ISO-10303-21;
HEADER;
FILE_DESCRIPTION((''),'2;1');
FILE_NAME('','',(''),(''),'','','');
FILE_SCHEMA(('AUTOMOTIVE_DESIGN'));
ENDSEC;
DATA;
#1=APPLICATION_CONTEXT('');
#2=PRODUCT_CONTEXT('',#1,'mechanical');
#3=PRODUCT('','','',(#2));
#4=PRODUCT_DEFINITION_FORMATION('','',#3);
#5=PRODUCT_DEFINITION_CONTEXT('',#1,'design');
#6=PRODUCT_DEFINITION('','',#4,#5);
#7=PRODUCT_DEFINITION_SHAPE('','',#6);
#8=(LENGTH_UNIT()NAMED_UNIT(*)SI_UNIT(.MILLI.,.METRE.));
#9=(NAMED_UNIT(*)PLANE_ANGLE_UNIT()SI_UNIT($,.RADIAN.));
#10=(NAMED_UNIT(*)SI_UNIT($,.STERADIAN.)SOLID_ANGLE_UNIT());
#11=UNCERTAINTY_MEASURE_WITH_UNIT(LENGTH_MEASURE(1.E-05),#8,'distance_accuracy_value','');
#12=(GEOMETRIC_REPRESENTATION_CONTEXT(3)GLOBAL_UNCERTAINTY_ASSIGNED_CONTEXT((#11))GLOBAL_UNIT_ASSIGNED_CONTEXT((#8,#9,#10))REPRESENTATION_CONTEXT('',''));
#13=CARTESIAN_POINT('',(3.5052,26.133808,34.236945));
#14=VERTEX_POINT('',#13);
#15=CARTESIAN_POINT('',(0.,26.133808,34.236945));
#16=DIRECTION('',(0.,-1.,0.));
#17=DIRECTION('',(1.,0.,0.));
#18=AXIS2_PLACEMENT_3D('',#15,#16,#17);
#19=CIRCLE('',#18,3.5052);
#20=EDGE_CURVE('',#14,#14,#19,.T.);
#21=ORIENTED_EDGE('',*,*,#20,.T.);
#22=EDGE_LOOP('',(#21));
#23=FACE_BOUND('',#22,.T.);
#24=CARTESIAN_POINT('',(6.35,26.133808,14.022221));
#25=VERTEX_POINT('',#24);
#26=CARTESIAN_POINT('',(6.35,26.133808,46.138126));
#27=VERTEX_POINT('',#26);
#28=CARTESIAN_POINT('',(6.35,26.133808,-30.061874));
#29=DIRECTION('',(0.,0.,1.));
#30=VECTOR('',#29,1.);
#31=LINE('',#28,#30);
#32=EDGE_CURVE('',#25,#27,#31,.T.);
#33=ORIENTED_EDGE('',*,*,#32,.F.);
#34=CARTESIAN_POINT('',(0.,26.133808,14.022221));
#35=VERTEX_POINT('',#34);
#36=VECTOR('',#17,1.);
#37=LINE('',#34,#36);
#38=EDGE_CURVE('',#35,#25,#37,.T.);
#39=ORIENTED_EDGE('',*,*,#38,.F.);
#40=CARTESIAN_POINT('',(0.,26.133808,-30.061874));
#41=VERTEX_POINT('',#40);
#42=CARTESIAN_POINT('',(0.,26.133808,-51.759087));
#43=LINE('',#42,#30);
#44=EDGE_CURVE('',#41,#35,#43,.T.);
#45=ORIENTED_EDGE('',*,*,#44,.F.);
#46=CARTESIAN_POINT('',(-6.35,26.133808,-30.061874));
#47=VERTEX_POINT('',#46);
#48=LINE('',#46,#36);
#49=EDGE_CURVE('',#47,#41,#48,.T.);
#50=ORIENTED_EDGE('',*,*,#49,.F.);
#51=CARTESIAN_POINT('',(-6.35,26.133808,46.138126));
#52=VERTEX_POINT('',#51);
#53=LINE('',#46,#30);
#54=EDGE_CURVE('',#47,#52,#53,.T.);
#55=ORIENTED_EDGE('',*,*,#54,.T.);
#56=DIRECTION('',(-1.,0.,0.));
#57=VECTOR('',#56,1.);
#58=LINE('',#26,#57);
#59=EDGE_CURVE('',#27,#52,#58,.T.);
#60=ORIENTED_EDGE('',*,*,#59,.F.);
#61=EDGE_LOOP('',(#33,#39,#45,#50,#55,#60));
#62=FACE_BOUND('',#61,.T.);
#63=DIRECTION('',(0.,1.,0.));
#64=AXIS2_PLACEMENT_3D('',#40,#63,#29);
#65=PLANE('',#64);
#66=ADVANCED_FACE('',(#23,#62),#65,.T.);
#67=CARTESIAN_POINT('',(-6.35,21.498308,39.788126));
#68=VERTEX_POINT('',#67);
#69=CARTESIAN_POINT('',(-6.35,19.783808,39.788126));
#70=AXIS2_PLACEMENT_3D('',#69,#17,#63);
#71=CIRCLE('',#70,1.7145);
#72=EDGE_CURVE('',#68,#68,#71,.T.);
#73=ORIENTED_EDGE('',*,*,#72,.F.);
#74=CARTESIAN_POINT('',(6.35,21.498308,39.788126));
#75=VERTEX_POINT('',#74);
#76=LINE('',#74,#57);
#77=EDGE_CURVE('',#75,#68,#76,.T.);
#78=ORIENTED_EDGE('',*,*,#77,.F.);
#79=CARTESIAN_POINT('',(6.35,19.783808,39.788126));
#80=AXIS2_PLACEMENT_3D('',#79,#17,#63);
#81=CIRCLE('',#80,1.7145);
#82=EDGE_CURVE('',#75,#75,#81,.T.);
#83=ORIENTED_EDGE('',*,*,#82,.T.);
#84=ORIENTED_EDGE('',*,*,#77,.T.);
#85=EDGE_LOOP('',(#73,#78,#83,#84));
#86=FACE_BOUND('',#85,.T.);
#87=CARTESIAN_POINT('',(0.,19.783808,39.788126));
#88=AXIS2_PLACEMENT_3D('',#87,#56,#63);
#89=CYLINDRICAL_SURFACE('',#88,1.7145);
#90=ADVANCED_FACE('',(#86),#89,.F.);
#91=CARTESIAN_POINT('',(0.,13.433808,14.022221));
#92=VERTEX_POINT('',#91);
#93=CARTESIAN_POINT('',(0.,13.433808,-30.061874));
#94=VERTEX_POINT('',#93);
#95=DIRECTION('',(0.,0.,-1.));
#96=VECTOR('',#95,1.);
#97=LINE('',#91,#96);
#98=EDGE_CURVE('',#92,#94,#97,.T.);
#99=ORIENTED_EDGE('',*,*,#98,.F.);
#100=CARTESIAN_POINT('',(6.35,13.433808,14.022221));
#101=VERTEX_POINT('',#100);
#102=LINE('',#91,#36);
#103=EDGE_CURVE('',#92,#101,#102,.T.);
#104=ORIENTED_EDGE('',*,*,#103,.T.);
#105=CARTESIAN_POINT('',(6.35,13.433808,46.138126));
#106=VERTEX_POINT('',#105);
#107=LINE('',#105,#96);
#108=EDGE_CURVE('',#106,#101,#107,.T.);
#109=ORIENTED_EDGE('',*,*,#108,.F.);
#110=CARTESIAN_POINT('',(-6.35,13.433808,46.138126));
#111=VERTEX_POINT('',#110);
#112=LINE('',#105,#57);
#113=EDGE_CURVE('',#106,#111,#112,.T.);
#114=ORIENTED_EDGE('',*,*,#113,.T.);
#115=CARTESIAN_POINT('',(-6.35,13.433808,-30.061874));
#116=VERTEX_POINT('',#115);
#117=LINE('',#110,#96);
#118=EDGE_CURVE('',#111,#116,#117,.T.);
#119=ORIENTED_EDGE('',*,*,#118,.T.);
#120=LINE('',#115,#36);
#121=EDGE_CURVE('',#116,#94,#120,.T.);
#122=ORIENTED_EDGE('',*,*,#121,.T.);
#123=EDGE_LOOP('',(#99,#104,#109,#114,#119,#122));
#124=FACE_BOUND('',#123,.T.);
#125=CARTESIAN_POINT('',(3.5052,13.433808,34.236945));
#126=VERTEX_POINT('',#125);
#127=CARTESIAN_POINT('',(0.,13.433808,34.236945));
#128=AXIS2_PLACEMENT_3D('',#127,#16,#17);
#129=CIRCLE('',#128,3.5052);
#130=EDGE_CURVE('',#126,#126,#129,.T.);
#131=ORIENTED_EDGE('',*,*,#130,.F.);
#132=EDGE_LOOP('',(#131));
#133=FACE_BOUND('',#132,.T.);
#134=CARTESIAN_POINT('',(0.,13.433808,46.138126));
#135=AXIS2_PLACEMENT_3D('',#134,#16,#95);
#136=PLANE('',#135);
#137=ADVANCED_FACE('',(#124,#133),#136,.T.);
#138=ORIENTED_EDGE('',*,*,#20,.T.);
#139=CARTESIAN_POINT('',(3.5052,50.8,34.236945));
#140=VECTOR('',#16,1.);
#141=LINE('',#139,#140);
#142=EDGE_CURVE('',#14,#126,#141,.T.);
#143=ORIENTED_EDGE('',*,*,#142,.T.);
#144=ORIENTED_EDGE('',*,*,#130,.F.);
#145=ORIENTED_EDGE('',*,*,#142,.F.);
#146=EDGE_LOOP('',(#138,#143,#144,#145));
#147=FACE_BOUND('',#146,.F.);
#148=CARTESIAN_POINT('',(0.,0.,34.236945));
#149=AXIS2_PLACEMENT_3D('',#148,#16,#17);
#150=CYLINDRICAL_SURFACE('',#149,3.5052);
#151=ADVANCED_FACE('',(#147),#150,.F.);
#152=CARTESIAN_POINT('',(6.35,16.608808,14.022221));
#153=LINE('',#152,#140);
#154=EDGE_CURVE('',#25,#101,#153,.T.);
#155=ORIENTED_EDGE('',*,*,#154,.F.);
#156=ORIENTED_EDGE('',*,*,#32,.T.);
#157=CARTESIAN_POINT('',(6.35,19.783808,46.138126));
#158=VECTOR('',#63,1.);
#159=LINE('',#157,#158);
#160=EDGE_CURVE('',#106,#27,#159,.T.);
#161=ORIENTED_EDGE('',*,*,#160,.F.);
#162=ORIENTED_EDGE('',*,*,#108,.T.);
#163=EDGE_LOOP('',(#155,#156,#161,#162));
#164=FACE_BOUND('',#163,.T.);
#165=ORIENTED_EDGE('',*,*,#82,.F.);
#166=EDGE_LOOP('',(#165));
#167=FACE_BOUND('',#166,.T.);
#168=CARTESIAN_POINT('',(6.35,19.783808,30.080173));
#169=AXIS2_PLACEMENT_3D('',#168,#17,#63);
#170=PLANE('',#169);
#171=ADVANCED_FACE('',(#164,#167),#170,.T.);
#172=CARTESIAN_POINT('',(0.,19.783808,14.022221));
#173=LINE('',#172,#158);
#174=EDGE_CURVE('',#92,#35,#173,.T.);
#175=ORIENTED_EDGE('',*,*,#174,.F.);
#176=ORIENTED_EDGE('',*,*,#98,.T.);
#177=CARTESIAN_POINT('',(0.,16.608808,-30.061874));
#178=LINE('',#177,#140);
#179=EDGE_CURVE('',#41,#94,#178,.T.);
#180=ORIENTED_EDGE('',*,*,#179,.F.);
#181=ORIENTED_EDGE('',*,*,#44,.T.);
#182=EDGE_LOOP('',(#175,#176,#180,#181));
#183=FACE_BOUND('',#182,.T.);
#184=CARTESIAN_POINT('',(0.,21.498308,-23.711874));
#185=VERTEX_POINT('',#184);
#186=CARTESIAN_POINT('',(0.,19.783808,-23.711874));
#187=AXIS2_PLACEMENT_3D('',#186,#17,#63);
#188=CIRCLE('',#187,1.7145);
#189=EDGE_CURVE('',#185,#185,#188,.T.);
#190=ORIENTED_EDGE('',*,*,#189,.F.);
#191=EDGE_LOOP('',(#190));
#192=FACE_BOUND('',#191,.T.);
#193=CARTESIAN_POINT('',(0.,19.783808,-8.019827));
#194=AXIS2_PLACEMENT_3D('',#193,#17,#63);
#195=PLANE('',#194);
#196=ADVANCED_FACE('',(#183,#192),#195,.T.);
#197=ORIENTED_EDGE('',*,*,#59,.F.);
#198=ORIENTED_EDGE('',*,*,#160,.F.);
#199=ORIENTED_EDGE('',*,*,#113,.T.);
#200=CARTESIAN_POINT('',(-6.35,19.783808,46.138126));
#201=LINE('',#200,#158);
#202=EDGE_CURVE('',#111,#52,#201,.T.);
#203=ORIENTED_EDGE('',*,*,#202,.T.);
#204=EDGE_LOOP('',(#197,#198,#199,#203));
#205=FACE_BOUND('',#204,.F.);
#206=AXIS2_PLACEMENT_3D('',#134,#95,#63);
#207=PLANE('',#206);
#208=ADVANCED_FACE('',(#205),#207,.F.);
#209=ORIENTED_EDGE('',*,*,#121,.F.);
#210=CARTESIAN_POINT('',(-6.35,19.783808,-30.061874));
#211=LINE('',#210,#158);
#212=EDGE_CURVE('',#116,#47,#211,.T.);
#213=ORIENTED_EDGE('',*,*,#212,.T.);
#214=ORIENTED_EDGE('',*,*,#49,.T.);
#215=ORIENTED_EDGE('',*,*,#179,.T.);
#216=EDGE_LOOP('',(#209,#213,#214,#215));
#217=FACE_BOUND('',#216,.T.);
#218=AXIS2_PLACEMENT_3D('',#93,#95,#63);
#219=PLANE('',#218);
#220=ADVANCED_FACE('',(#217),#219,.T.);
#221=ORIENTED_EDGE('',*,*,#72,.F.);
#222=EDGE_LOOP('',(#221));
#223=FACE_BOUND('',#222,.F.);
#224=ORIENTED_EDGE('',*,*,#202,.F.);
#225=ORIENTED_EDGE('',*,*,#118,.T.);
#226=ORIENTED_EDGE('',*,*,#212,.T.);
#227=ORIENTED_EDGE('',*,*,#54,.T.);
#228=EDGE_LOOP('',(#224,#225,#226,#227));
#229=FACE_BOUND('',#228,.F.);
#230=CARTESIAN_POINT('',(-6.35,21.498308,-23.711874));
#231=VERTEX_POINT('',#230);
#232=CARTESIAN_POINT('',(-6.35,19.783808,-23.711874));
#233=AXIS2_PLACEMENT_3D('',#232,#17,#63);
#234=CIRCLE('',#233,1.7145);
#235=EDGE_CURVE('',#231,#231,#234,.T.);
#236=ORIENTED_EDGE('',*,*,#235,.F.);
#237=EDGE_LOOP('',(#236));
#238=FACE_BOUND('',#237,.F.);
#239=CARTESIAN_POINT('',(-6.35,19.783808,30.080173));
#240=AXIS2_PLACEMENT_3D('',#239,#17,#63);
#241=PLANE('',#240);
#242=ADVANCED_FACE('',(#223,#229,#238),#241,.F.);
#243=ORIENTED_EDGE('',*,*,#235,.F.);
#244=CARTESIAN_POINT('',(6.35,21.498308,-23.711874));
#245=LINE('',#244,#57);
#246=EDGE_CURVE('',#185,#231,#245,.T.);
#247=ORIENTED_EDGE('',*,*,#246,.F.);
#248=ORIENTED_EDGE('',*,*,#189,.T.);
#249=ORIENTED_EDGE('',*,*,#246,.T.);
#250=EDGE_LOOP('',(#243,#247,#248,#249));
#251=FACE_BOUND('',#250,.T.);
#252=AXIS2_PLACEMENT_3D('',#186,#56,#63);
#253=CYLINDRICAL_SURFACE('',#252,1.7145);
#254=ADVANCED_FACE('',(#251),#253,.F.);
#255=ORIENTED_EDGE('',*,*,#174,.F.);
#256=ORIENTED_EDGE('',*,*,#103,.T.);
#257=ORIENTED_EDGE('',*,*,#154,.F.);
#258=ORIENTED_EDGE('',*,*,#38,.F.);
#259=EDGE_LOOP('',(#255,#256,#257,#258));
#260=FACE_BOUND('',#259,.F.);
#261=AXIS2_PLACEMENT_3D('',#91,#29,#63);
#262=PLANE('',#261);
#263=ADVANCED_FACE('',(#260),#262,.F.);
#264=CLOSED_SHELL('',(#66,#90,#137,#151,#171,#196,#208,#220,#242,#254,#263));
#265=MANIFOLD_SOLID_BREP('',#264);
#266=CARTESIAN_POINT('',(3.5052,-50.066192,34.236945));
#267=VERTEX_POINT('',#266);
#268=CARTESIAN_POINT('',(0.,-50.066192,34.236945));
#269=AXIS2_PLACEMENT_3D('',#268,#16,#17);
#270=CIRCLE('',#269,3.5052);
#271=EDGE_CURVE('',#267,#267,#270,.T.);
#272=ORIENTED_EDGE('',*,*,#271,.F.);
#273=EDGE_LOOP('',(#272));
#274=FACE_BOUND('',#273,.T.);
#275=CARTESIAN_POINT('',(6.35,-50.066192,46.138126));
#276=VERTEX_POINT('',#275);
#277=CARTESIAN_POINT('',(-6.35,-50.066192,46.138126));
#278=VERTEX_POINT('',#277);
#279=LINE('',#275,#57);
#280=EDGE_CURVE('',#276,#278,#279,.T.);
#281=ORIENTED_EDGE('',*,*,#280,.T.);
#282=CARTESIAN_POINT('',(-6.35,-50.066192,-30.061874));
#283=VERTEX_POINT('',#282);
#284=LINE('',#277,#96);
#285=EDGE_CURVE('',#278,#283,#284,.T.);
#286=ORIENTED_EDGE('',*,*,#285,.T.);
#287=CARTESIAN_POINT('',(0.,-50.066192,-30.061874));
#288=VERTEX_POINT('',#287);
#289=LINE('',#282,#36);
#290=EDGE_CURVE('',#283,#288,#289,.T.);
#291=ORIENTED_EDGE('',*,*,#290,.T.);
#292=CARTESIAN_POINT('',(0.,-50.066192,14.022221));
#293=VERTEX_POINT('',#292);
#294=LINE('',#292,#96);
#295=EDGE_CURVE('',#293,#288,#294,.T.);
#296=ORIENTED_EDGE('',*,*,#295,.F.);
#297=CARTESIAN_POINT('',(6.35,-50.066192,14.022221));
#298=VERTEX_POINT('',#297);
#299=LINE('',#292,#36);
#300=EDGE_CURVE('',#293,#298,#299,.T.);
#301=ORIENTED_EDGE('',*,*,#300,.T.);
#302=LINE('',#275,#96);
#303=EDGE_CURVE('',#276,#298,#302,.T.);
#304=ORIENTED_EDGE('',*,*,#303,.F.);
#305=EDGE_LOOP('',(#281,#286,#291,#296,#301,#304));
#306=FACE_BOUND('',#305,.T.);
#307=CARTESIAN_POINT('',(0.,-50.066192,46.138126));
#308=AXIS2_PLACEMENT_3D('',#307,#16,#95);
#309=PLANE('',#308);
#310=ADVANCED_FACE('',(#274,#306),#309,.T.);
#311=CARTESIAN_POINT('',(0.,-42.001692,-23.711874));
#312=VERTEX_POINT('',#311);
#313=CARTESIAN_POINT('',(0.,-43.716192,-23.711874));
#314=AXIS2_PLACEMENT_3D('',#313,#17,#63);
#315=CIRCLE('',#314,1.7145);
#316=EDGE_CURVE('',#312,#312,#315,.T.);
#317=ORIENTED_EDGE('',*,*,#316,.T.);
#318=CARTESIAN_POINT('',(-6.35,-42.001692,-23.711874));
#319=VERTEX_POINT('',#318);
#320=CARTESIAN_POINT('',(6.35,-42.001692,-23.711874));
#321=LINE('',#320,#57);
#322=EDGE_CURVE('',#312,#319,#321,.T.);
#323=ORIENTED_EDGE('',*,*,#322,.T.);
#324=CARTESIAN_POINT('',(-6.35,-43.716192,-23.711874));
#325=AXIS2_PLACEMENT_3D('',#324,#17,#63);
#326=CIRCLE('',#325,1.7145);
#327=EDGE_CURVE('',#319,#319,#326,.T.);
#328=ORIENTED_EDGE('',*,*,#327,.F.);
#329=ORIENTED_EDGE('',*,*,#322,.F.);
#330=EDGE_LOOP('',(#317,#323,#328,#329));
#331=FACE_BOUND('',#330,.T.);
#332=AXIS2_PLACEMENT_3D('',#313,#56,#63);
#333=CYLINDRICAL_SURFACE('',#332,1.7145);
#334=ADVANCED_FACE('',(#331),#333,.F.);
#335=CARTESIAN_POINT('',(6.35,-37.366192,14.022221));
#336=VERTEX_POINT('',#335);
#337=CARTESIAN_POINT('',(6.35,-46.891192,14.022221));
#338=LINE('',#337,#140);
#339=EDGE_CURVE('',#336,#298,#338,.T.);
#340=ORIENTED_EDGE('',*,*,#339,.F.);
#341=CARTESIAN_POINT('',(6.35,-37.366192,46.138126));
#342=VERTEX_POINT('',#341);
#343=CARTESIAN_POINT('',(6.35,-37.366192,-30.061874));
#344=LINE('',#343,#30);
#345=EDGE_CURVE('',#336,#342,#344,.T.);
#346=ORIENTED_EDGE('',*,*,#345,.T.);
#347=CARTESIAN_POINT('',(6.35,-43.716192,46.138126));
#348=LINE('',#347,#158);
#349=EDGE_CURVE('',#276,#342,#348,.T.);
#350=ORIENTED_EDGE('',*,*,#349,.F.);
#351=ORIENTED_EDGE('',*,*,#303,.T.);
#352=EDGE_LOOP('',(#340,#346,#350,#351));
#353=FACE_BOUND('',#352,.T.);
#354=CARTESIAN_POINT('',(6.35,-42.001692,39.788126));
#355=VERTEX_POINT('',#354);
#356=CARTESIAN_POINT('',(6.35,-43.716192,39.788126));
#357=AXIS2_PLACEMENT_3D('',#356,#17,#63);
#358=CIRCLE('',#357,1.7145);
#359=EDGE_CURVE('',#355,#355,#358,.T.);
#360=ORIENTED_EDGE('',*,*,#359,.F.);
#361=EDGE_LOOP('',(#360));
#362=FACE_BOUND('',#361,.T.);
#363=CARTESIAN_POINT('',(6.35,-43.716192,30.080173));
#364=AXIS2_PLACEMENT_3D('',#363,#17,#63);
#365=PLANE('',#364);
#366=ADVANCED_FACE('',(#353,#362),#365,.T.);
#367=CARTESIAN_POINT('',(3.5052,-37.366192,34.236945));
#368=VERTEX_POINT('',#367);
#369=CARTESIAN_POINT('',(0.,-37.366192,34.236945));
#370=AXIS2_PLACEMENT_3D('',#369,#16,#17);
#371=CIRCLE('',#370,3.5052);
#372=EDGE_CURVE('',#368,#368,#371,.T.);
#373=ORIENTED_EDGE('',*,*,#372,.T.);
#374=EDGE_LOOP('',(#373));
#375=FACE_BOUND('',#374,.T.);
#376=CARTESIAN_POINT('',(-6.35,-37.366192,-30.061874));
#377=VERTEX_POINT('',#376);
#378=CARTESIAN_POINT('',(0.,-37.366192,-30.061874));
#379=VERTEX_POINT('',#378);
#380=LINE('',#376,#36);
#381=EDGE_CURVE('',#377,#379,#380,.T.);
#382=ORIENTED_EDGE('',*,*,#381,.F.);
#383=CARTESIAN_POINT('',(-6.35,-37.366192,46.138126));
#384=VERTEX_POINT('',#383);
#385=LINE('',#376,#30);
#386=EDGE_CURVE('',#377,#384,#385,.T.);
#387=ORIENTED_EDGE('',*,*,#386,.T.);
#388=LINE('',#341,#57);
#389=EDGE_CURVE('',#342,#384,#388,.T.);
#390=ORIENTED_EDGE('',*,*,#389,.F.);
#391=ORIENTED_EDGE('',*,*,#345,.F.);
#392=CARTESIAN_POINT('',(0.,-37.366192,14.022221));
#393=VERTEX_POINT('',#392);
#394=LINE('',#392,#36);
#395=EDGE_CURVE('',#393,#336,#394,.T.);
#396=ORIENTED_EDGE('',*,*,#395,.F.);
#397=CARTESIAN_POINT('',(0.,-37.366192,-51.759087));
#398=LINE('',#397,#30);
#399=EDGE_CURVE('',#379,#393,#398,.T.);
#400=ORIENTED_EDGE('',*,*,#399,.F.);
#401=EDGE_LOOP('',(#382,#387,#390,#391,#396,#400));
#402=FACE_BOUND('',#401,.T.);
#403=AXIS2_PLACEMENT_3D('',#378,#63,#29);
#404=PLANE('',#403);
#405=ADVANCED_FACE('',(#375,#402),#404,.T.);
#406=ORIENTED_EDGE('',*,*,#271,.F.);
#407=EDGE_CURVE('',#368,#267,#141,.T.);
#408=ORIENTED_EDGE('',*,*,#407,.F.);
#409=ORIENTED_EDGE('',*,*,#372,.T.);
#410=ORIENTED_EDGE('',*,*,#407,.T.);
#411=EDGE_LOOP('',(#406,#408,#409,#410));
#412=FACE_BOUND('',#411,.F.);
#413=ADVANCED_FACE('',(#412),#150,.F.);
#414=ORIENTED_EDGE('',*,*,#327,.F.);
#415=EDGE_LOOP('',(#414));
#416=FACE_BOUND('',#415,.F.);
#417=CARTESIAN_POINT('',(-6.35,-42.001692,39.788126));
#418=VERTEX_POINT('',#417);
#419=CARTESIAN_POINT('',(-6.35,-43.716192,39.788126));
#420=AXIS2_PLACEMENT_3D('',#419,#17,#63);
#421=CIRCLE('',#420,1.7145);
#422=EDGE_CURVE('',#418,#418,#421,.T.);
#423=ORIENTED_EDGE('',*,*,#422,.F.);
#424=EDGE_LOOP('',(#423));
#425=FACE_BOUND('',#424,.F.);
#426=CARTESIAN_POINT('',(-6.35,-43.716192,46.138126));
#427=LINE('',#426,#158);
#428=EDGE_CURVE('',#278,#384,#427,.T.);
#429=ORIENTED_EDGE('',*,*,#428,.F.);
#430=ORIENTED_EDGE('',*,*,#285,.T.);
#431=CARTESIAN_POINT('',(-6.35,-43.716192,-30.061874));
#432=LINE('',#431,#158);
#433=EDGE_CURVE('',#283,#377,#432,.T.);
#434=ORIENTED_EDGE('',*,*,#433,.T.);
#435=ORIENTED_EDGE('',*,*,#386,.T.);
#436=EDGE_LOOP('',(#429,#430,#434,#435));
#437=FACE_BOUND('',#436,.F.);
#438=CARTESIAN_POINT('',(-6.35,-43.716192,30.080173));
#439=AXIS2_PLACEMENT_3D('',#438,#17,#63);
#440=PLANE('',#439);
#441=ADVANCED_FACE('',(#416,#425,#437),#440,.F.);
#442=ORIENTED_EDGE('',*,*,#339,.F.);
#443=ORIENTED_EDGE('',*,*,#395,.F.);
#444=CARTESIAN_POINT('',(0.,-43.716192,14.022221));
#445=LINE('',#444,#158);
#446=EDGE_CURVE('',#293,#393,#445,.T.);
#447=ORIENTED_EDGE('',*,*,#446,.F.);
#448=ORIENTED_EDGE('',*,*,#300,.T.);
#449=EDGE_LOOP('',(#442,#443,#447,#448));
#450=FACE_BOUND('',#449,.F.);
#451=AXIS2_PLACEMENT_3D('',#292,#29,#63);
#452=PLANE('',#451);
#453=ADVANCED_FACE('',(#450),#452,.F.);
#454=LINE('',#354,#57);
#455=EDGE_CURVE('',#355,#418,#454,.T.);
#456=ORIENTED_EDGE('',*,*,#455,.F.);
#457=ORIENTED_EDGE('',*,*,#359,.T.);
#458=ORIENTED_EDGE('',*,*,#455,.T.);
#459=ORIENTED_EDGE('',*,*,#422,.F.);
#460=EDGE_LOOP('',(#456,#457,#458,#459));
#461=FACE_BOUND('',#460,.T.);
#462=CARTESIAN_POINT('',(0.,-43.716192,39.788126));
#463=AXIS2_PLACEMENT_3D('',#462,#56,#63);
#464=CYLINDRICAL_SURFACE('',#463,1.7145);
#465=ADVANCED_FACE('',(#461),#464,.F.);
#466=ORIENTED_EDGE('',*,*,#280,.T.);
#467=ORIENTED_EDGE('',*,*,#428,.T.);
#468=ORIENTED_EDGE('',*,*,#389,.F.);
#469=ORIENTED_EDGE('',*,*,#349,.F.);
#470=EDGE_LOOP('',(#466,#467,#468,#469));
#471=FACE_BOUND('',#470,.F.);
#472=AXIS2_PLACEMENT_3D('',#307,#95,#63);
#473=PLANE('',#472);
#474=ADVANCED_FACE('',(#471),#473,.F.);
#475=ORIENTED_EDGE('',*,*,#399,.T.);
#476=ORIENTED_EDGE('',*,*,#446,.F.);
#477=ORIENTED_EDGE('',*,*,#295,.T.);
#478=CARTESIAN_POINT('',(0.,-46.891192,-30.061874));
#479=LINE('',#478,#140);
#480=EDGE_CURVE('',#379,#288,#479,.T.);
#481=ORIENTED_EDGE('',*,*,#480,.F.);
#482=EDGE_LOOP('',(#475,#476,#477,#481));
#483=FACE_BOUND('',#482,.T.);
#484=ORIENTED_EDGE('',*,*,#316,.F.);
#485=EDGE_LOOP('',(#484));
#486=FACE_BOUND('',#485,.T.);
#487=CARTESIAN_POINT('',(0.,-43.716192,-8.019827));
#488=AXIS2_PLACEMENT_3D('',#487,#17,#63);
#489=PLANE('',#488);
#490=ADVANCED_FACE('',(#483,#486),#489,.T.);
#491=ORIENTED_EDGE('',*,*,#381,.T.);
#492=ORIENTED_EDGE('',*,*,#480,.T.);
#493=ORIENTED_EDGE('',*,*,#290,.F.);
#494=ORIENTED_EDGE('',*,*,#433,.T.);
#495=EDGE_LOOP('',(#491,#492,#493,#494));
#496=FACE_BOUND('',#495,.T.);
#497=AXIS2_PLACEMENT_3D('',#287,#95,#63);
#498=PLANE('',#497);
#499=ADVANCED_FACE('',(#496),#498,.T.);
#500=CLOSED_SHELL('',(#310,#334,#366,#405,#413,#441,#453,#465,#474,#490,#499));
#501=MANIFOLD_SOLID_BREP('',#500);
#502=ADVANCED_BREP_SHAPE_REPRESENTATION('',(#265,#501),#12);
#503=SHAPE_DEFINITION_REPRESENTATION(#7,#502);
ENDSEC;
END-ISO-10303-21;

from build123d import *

# Parameters (mm, degrees)
F0_W     = 12.7
F0_H     = 32.1159050748
F0_R     = 1.7145
F0_H_2   = 44.0840949252
F1_DEPTH = 6.35
F2_R     = 3.5052
F3_DEPTH = 50.8
F0_H_3   = 21.6972124815
F5_DEPTH = 25.4


with BuildPart() as f1:
    # F0 (on Right) → F1 (new body, symmetric)
    with BuildSketch(Plane.YZ):
        with Locations((-43.7161919508, 30.0801733948)):
            Rectangle(F0_W, F0_H)
        with Locations((-43.7161919508, 39.7881259322)):
            Circle(F0_R, mode=Mode.SUBTRACT)
        with Locations((-43.7161919508, -8.0198266052)):
            Rectangle(F0_W, F0_H_2)
        with Locations((-43.7161919508, -23.7118740678)):
            Circle(F0_R, mode=Mode.SUBTRACT)
    extrude(amount=F1_DEPTH, both=True)


with BuildPart() as f1b:
    # F0 (on Right) → F1, piece 2 (new body, symmetric)
    with BuildSketch(Plane.YZ):
        with Locations((19.7838080492, 30.0801733948)):
            Rectangle(F0_W, F0_H)
        with Locations((19.7838080492, 39.7881259322)):
            Circle(F0_R, mode=Mode.SUBTRACT)
        with Locations((19.7838080492, -8.0198266052)):
            Rectangle(F0_W, F0_H_2)
        with Locations((19.7838080492, -23.7118740678)):
            Circle(F0_R, mode=Mode.SUBTRACT)
    extrude(amount=F1_DEPTH, both=True)


with BuildPart() as f3:
    # F2 (on Front) → F3 (new body, symmetric)
    with BuildSketch(Plane.XZ):
        with Locations((0, 34.2369452119)):
            Circle(F2_R)
    extrude(amount=F3_DEPTH, both=True)


with BuildPart() as f1b_1:
    add(f1b.part)

    # F4: cut F3
    add(f3.part, mode=Mode.SUBTRACT)


with BuildPart() as f1_1:
    add(f1.part)

    # F4: cut F3
    add(f3.part, mode=Mode.SUBTRACT)


with BuildPart() as f5:
    # F0 (on Right) → F5 (new body)
    with BuildSketch(Plane.YZ):
        with Locations((-43.7161919508, -8.0198266052)):
            Rectangle(F0_W, F0_H_2)
        with Locations((-43.7161919508, -23.7118740678)):
            Circle(F0_R, mode=Mode.SUBTRACT)
        with Locations((-43.7161919508, -40.9104803085)):
            Rectangle(F0_W, F0_H_3)
    extrude(amount=F5_DEPTH)


with BuildPart() as f5b:
    # F0 (on Right) → F5, piece 2 (new body)
    with BuildSketch(Plane.YZ):
        with Locations((19.7838080492, -8.0198266052)):
            Rectangle(F0_W, F0_H_2)
        with Locations((19.7838080492, -23.7118740678)):
            Circle(F0_R, mode=Mode.SUBTRACT)
        with Locations((19.7838080492, -40.9104803085)):
            Rectangle(F0_W, F0_H_3)
    extrude(amount=F5_DEPTH)


with BuildPart() as f1b_2:
    add(f1b_1.part)

    # F6: cut F5b, F5
    add(f5b.part, mode=Mode.SUBTRACT)
    add(f5.part, mode=Mode.SUBTRACT)


with BuildPart() as f1_2:
    add(f1_1.part)

    # F6: cut F5b, F5
    add(f5b.part, mode=Mode.SUBTRACT)
    add(f5.part, mode=Mode.SUBTRACT)


solid = Compound([f1b_2.part, f1_2.part])
